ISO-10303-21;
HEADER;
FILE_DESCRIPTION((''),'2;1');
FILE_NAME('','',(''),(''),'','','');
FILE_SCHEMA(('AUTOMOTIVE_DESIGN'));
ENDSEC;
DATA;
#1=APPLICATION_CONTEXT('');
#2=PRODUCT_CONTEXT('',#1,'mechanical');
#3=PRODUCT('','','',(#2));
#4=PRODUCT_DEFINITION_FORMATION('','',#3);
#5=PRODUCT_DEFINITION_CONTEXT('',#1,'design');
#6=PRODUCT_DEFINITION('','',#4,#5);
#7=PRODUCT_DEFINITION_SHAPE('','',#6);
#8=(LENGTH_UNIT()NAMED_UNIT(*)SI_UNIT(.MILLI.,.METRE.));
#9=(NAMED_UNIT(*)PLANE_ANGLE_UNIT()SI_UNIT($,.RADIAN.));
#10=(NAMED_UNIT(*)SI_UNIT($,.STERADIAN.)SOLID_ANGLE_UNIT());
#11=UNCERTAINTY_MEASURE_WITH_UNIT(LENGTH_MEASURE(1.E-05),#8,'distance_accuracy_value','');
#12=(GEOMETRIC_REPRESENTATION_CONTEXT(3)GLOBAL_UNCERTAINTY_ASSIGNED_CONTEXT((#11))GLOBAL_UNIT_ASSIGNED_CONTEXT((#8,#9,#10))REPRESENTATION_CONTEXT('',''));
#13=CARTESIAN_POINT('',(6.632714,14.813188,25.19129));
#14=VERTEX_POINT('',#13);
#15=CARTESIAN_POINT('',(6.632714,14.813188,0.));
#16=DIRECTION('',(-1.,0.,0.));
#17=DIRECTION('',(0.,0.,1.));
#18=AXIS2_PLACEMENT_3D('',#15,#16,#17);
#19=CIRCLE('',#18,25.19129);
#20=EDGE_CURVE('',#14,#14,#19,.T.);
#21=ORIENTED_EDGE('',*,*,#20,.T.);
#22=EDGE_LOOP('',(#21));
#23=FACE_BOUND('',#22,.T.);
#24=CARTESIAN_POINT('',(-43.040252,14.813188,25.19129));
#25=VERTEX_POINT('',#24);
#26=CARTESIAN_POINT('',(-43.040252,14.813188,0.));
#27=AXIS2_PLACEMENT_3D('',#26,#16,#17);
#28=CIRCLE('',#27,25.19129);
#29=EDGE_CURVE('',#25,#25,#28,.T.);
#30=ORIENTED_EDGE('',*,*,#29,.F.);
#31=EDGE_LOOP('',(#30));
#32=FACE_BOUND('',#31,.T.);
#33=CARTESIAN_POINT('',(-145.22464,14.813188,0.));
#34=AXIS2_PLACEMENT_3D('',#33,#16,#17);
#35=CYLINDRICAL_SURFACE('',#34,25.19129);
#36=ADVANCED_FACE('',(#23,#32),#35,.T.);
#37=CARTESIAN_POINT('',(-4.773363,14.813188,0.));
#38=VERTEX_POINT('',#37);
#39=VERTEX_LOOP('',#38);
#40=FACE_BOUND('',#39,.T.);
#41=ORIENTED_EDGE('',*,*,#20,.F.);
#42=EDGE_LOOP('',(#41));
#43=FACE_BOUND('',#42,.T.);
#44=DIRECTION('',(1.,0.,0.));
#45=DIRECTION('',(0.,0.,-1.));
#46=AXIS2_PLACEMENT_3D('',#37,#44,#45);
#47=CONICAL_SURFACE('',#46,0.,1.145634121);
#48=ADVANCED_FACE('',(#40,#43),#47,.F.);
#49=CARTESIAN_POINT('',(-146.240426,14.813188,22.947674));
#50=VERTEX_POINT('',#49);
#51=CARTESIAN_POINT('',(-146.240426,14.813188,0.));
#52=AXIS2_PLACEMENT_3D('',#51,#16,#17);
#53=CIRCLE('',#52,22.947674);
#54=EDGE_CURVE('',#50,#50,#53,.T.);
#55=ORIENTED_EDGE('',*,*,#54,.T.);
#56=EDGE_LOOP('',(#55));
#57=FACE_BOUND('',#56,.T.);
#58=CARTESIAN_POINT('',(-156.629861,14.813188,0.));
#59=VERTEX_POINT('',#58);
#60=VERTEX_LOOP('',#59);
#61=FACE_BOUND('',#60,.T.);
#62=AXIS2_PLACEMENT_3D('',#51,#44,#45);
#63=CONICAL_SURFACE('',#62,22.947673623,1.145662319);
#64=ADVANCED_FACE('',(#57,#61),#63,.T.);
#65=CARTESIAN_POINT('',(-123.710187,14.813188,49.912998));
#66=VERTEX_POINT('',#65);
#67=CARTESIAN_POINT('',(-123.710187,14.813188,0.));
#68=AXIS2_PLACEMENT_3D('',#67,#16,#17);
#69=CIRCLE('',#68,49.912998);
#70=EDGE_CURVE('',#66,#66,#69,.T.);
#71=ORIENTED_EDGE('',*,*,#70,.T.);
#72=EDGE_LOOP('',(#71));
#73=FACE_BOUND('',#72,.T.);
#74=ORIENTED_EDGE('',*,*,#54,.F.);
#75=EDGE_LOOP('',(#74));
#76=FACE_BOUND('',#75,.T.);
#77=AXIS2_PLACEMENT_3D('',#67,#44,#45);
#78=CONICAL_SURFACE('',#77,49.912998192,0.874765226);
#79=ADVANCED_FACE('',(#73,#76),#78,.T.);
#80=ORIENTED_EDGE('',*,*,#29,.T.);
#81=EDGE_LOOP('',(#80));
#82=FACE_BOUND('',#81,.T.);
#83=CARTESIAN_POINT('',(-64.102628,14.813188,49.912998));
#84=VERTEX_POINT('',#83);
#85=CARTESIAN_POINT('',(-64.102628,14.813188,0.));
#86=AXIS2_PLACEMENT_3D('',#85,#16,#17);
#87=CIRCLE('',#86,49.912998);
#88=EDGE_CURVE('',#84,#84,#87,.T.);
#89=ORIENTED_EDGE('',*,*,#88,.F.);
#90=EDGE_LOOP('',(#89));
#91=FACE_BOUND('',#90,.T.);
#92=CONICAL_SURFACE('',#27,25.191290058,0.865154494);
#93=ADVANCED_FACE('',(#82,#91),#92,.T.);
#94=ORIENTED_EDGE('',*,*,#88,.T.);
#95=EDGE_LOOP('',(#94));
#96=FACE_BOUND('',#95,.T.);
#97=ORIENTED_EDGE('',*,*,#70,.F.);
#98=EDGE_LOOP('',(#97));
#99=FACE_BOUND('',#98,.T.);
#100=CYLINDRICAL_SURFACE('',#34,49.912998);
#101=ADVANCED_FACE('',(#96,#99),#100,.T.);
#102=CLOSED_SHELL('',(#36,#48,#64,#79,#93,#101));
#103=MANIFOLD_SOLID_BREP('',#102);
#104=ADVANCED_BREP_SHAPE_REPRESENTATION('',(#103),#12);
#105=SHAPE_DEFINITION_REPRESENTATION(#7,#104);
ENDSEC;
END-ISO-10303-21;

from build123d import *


with BuildPart() as part:
    # Croquis1 → Revolución1 (revolve)
    with BuildSketch(Plane.XY):
        Polygon((6.632713902, 40.004478225), (-43.040252409, 40.004478225), (-64.102627652, 64.726186359), (-96.212652303, 64.726186359), (-123.710187225, 64.726186359), (-146.240425516, 37.760861791), (-156.62986127, 14.813188168), (-145.224640248, 14.813188168), (-4.773363078, 14.813188168), align=None)
    revolve(axis=Axis((-145.224640248, 14.813188168, 0), (1, 0, 0)))


solid = part.part
